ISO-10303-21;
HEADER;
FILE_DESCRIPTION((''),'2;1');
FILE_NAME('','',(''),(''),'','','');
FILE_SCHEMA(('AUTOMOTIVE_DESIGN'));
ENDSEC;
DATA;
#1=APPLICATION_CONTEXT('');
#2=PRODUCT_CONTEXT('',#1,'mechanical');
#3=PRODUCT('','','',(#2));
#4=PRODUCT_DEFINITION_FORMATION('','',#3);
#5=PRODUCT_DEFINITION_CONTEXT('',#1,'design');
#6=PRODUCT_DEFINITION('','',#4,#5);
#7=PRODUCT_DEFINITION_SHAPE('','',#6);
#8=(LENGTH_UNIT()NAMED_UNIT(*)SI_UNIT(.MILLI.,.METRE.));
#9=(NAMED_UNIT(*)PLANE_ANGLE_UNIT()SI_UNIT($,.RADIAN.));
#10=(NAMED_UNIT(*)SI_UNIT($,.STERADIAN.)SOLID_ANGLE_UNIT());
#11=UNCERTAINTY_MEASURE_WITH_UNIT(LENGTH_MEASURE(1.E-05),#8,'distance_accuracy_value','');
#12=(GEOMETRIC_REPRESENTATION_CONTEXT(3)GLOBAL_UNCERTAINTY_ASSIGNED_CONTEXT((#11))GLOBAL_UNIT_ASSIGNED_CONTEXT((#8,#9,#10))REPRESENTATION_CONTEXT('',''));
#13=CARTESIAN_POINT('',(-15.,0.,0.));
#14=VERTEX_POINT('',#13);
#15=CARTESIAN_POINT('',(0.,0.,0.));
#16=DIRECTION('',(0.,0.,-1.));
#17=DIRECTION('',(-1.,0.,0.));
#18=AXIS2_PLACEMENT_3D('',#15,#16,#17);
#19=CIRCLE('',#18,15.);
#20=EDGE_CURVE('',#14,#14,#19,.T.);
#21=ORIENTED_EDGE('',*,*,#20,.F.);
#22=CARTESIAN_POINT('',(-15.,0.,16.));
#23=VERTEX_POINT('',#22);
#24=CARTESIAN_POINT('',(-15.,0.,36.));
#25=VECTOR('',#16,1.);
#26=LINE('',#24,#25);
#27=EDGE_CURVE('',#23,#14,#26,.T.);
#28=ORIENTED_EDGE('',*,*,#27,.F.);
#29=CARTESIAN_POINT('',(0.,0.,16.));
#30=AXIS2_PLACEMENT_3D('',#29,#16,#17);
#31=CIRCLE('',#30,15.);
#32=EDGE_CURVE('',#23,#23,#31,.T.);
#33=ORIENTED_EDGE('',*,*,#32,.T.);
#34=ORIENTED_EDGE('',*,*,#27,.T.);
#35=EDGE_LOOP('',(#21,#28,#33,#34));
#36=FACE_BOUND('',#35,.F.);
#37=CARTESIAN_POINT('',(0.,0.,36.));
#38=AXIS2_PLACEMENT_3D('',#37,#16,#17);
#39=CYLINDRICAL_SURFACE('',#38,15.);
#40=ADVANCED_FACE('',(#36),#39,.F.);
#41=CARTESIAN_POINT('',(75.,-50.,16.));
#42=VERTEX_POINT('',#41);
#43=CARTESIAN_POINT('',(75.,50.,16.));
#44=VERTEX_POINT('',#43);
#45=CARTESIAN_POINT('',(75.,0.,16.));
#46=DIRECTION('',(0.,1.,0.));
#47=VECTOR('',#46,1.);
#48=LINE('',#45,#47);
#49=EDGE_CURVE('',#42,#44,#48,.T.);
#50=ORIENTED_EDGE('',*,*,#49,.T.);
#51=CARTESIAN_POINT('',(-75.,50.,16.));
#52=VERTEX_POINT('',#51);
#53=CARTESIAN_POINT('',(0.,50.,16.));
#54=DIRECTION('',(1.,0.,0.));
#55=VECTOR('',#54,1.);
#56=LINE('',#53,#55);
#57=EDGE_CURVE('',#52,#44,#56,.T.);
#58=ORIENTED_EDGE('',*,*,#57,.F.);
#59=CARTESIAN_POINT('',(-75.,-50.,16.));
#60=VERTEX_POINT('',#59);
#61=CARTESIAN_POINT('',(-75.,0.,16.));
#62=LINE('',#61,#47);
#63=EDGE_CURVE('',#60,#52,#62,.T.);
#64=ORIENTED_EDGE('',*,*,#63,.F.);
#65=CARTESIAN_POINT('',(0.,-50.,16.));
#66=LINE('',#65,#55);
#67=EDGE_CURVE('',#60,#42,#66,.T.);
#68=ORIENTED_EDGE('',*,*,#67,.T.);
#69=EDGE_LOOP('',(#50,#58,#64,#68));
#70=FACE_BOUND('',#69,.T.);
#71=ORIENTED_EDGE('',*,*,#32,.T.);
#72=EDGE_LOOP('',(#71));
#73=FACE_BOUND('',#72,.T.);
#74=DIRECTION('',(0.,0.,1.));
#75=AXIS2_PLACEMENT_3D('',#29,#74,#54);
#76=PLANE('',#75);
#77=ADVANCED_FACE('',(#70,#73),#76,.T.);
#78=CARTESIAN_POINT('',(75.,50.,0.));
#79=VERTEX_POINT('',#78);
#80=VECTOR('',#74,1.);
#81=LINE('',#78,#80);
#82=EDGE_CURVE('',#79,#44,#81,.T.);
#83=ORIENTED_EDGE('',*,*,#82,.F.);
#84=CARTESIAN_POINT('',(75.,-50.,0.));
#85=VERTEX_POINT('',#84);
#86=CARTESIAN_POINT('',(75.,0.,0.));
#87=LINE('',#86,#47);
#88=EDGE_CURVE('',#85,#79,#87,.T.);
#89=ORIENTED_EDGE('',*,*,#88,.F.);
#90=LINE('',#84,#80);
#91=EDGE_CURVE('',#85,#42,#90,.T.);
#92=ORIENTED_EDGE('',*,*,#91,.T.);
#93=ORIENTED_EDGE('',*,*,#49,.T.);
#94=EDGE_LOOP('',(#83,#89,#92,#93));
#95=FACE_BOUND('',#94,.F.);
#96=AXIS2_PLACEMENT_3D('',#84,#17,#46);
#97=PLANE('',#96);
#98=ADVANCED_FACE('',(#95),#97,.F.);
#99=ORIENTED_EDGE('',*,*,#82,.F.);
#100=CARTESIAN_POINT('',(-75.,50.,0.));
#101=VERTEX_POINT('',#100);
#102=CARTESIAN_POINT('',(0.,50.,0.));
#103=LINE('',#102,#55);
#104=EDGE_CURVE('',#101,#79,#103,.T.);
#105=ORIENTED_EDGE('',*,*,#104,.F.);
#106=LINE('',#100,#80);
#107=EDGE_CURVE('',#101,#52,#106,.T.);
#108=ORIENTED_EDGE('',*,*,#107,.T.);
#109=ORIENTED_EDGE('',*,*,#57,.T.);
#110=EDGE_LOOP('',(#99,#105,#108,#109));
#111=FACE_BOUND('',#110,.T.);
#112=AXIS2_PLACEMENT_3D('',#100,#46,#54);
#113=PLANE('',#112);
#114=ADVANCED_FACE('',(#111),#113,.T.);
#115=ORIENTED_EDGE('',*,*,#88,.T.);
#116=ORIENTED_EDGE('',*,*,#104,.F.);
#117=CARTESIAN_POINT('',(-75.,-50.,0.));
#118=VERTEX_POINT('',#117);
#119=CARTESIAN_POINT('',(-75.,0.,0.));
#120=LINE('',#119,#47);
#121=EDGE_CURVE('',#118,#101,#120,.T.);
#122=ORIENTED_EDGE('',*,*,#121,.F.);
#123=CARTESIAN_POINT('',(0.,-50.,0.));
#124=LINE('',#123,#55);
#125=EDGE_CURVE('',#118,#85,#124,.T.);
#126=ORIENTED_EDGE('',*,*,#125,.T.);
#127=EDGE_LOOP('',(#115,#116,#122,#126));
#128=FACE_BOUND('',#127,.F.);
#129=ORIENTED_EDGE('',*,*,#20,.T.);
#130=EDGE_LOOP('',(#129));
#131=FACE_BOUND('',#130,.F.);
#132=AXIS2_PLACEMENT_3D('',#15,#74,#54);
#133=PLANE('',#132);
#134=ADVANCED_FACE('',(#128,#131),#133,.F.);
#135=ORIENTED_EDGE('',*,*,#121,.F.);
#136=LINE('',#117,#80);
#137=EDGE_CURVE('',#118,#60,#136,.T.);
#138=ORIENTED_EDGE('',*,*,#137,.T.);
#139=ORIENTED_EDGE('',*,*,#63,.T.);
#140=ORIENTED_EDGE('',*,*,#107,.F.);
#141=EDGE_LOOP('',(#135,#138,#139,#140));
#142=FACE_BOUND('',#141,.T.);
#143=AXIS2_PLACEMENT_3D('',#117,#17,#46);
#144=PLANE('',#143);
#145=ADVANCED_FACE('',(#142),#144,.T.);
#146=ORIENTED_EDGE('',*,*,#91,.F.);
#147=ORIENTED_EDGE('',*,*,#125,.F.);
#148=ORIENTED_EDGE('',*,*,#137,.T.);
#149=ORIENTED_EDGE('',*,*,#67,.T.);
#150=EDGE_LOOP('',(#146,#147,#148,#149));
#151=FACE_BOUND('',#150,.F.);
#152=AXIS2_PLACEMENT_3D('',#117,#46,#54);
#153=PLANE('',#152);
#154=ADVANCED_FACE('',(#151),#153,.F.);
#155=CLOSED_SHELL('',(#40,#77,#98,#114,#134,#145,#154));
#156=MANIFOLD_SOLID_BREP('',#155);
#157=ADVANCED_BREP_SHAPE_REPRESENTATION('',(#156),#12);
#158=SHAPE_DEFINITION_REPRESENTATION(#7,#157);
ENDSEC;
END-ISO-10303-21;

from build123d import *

# Parameters (mm, degrees)
SKETCH_1_W                = 150
SKETCH_1_H                = 100
EXTRUDE_1_DEPTH           = 16
HOLE_WIZARD_6_0_6_1_D     = 30
HOLE_WIZARD_6_0_6_1_DEPTH = 20
HOLE_WIZARD_6_0_6_1_TIP   = 9.012909285


with BuildPart() as part:
    # 草图1 → 凸台-拉伸1 (new body)
    with BuildSketch(Plane.XY):
        Rectangle(SKETCH_1_W, SKETCH_1_H)
    extrude(amount=EXTRUDE_1_DEPTH)

    # Ø6.0 (6) 直径孔1
    with Locations(Plane.XY.offset(16)):
        with Locations((0, 0)):
            Hole(HOLE_WIZARD_6_0_6_1_D / 2, depth=HOLE_WIZARD_6_0_6_1_DEPTH)
            with Locations((0, 0, -(HOLE_WIZARD_6_0_6_1_DEPTH + HOLE_WIZARD_6_0_6_1_TIP / 2))):  # 118° drill point
                Cone(0, HOLE_WIZARD_6_0_6_1_D / 2, HOLE_WIZARD_6_0_6_1_TIP, mode=Mode.SUBTRACT)


solid = part.part
